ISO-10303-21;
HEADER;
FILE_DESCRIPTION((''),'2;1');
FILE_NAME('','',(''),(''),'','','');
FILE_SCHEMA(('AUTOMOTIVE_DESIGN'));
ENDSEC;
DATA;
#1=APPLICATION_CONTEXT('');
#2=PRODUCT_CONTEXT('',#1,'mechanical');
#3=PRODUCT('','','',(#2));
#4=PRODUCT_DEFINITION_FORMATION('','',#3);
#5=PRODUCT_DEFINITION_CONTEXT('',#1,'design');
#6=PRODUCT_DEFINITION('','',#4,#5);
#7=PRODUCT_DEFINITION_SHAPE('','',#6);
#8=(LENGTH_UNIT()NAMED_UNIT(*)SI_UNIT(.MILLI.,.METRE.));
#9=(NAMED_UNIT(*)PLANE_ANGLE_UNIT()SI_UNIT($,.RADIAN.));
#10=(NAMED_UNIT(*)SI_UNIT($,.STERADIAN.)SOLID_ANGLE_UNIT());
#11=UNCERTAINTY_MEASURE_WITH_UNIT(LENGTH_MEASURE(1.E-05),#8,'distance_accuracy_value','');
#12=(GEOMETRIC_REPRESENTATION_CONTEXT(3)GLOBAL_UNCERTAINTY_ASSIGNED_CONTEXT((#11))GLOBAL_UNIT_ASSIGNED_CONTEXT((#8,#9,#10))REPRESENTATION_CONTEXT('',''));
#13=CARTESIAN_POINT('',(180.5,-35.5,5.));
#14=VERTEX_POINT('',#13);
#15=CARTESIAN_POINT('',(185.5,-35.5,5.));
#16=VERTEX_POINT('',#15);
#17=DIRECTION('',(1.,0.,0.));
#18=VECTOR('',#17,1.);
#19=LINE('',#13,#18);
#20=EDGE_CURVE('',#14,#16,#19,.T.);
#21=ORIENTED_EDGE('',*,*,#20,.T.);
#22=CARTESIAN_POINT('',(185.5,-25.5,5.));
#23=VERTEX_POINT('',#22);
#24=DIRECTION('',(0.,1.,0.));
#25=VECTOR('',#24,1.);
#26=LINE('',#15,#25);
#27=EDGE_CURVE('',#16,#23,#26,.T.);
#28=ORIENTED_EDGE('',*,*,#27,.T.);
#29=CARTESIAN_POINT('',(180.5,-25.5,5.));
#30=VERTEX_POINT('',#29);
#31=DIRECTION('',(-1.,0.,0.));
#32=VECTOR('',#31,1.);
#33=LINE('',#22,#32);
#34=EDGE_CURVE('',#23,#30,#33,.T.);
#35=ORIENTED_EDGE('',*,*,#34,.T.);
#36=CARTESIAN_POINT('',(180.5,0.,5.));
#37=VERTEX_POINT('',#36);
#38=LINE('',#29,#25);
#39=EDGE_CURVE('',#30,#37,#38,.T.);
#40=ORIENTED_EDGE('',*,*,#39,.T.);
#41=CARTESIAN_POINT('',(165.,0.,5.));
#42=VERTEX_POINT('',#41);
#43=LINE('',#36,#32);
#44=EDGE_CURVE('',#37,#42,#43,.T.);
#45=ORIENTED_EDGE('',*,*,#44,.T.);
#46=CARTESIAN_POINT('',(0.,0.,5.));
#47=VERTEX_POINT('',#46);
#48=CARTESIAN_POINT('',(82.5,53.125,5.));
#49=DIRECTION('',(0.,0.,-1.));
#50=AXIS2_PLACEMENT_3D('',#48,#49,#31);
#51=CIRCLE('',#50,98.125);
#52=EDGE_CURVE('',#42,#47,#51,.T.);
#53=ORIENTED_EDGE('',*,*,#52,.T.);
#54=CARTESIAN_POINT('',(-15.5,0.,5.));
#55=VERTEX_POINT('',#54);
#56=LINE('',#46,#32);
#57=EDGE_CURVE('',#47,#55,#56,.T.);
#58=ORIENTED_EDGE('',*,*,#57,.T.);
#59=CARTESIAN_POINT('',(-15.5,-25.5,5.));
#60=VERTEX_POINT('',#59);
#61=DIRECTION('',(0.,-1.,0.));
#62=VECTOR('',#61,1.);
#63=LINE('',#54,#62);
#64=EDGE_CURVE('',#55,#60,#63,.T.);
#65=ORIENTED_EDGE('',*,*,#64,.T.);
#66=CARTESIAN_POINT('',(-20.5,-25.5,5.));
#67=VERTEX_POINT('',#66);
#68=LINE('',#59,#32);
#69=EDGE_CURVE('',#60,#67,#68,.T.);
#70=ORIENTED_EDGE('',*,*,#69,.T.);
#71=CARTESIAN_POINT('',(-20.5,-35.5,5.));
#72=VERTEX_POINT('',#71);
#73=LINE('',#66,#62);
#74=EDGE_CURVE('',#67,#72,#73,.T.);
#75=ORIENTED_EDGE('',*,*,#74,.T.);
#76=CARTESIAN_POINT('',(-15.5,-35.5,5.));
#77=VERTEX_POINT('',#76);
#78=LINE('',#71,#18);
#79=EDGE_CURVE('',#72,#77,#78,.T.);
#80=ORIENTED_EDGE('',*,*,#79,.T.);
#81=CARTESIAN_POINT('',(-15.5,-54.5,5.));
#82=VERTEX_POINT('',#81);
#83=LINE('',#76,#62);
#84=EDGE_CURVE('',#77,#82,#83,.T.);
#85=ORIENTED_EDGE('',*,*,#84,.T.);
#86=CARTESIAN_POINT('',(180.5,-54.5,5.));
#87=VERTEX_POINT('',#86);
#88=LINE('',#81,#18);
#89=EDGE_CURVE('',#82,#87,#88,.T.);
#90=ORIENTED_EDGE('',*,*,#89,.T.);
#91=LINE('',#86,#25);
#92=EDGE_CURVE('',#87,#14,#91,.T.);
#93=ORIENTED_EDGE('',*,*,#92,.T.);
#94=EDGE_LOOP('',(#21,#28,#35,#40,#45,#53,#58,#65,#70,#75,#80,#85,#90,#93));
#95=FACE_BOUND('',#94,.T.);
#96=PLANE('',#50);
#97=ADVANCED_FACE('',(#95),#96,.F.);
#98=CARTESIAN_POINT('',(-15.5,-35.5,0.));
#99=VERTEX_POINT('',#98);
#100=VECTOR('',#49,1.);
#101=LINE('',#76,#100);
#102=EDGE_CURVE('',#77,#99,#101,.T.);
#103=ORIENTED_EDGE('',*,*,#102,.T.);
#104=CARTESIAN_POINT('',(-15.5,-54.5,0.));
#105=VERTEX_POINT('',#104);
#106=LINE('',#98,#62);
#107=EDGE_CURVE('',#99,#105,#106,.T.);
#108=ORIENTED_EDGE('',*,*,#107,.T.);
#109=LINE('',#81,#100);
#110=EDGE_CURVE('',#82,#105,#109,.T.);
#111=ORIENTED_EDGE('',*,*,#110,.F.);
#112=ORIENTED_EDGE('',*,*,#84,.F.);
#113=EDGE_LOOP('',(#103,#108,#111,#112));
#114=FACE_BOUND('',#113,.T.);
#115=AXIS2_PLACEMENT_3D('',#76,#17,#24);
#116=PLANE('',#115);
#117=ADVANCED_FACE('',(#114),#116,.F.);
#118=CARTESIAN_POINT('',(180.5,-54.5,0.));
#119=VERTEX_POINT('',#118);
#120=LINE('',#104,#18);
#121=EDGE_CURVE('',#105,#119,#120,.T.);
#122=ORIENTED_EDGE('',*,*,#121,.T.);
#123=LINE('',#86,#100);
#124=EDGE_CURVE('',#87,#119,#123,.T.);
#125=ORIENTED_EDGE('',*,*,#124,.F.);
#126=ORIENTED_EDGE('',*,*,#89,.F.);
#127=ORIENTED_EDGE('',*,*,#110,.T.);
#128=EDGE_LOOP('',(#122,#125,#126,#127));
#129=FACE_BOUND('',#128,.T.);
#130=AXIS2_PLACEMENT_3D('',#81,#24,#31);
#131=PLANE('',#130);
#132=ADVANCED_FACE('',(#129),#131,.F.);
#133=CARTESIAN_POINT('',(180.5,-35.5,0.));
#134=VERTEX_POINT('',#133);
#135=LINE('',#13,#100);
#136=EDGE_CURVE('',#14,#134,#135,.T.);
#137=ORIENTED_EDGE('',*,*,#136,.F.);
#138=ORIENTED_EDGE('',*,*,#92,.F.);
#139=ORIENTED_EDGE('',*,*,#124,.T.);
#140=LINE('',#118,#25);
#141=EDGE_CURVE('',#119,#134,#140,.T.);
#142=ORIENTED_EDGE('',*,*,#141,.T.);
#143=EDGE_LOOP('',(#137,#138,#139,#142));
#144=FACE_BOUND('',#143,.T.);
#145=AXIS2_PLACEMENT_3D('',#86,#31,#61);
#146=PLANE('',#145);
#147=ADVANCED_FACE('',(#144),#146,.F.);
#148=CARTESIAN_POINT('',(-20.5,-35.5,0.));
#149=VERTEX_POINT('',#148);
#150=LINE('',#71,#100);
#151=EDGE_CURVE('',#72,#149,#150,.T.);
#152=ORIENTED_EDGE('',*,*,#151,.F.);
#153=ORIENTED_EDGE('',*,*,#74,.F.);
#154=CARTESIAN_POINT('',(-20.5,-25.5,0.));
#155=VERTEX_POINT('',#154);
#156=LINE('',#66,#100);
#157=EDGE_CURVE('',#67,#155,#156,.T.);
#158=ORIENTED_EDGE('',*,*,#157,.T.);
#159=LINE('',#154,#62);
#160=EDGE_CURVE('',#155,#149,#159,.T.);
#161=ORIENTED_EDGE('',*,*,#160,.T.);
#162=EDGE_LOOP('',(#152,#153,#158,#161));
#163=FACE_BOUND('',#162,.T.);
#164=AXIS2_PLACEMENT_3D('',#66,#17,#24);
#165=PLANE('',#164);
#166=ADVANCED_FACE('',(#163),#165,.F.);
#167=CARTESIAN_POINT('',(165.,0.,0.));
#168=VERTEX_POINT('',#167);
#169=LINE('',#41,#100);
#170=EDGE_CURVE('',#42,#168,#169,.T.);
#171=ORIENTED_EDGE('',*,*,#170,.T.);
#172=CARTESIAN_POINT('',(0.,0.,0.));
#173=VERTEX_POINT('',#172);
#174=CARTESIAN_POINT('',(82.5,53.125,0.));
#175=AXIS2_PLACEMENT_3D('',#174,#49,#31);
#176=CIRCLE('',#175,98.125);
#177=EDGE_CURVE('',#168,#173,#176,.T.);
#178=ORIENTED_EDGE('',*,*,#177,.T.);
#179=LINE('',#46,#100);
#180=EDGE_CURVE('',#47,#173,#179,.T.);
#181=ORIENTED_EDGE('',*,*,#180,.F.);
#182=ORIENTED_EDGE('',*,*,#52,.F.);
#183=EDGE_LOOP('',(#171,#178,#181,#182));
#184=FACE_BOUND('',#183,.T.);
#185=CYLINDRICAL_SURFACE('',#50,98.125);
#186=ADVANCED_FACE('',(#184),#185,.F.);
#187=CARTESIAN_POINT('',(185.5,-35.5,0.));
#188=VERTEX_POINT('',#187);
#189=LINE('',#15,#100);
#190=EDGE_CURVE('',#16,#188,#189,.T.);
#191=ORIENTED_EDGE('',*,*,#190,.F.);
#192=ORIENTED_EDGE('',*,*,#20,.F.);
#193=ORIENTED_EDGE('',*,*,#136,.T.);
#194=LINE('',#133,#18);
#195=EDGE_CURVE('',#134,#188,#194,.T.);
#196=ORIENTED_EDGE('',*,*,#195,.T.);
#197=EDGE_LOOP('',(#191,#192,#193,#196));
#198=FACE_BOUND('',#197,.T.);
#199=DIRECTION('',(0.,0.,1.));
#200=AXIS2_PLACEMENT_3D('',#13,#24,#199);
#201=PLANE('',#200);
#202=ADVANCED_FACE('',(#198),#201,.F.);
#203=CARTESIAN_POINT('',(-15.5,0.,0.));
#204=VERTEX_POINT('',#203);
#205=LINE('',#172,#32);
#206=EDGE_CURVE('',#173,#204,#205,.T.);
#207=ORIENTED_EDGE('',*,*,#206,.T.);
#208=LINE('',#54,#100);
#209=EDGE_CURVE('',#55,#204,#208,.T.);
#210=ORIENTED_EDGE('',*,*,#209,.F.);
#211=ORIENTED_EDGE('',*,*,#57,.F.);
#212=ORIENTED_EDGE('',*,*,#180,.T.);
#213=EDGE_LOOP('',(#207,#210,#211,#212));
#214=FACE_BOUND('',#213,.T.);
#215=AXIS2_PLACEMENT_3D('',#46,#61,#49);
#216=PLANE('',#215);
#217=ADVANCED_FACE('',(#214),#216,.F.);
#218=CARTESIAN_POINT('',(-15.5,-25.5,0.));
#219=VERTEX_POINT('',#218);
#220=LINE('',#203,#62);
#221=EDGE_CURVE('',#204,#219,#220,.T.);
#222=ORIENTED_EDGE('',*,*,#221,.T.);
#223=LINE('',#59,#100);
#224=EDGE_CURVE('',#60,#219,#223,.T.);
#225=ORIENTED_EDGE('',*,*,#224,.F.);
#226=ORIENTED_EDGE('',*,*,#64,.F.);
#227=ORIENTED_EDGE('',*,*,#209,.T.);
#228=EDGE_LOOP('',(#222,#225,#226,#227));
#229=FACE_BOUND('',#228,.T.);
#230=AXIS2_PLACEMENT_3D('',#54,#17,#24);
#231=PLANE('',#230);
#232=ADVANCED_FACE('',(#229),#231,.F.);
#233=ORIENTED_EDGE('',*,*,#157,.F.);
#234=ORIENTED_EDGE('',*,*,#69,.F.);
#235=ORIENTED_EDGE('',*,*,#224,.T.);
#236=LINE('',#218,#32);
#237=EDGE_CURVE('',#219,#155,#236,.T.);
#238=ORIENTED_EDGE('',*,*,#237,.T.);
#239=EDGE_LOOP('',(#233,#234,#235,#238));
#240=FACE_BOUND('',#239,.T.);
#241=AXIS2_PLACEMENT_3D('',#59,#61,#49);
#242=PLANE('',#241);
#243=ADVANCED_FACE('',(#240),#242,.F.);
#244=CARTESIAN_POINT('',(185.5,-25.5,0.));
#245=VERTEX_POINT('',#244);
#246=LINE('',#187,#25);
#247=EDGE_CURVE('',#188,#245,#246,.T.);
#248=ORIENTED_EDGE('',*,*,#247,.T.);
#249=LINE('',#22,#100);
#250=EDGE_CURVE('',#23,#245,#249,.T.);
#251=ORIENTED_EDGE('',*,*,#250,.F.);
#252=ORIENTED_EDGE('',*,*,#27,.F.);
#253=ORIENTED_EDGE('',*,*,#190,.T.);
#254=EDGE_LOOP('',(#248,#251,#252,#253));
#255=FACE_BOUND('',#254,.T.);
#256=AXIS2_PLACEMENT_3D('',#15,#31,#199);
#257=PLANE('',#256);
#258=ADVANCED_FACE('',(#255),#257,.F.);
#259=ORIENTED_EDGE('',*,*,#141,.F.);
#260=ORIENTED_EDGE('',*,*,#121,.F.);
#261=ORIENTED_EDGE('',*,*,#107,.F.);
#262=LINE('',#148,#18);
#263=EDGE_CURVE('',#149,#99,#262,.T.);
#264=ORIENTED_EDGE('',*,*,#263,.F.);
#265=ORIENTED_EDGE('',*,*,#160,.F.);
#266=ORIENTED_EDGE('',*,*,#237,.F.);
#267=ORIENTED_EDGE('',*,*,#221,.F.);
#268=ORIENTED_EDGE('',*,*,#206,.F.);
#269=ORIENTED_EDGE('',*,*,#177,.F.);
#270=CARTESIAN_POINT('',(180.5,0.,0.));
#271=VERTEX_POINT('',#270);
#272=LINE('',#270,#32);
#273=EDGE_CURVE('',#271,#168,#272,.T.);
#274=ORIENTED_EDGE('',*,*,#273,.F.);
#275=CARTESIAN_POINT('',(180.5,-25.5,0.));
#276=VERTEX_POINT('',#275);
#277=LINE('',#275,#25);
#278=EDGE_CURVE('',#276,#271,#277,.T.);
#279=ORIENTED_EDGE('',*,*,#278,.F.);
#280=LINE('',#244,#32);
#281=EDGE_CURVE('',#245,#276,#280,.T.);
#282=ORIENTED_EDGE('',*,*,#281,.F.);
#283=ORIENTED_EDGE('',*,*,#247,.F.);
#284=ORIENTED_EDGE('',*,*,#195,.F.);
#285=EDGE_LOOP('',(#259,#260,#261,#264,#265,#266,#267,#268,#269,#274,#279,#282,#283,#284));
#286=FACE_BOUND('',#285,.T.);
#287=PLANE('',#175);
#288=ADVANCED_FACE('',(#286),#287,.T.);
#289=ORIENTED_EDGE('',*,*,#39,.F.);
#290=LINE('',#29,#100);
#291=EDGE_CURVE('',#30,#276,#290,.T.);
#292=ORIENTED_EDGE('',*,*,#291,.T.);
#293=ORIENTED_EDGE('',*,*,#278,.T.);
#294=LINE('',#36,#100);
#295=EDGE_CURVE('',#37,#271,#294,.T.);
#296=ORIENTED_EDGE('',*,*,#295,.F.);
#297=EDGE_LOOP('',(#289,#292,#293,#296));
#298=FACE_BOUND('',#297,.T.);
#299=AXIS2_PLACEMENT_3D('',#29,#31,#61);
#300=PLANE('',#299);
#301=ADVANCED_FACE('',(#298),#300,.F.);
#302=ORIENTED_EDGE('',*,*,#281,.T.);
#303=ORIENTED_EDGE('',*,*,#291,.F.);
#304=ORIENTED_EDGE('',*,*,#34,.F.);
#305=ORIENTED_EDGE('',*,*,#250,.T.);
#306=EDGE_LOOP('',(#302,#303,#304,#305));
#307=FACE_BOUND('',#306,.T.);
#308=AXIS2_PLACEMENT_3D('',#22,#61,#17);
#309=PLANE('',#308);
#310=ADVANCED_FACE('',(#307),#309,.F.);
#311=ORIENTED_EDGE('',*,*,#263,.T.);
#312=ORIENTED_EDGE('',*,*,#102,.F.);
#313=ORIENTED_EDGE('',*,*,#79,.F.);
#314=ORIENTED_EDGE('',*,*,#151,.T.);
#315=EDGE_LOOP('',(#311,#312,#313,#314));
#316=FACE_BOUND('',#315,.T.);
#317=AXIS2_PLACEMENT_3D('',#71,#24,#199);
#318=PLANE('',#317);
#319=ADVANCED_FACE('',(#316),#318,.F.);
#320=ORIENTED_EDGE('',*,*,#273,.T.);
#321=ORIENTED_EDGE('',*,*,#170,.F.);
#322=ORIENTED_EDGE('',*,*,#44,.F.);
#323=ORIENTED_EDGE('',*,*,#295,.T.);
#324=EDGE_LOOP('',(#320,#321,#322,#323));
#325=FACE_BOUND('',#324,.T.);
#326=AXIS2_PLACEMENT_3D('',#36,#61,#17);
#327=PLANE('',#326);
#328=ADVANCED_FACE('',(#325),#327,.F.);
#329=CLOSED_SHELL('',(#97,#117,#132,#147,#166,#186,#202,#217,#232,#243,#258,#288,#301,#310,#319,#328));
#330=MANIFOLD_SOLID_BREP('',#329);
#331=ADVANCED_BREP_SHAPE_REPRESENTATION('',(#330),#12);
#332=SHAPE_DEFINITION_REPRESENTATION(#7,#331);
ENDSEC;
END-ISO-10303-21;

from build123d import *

# Parameters (mm, degrees)
BOSS_EXTRU_1_DEPTH = 5


with BuildPart() as part:
    # Esquisse1 → Boss.-Extru.1 (new body)
    with BuildSketch(Plane.XY):
        with BuildLine():
            Line((0, 0), (-15.5, 0))
            Line((-15.5, 0), (-15.5, -25.5))
            Line((-15.5, -25.5), (-20.5, -25.5))
            Line((-20.5, -25.5), (-20.5, -35.5))
            Line((-20.5, -35.5), (-15.5, -35.5))
            Line((-15.5, -35.5), (-15.5, -54.5))
            Line((-15.5, -54.5), (180.5, -54.5))
            Line((180.5, -54.5), (180.5, -35.5))
            Line((180.5, -35.5), (185.5, -35.5))
            Line((185.5, -35.5), (185.5, -25.5))
            Line((185.5, -25.5), (180.5, -25.5))
            Line((180.5, -25.5), (180.5, 0))
            Line((180.5, 0), (165, 0))
            ThreePointArc((165, 0), (82.5, -45), (0, 0))
        make_face()
    extrude(amount=BOSS_EXTRU_1_DEPTH)


solid = part.part
